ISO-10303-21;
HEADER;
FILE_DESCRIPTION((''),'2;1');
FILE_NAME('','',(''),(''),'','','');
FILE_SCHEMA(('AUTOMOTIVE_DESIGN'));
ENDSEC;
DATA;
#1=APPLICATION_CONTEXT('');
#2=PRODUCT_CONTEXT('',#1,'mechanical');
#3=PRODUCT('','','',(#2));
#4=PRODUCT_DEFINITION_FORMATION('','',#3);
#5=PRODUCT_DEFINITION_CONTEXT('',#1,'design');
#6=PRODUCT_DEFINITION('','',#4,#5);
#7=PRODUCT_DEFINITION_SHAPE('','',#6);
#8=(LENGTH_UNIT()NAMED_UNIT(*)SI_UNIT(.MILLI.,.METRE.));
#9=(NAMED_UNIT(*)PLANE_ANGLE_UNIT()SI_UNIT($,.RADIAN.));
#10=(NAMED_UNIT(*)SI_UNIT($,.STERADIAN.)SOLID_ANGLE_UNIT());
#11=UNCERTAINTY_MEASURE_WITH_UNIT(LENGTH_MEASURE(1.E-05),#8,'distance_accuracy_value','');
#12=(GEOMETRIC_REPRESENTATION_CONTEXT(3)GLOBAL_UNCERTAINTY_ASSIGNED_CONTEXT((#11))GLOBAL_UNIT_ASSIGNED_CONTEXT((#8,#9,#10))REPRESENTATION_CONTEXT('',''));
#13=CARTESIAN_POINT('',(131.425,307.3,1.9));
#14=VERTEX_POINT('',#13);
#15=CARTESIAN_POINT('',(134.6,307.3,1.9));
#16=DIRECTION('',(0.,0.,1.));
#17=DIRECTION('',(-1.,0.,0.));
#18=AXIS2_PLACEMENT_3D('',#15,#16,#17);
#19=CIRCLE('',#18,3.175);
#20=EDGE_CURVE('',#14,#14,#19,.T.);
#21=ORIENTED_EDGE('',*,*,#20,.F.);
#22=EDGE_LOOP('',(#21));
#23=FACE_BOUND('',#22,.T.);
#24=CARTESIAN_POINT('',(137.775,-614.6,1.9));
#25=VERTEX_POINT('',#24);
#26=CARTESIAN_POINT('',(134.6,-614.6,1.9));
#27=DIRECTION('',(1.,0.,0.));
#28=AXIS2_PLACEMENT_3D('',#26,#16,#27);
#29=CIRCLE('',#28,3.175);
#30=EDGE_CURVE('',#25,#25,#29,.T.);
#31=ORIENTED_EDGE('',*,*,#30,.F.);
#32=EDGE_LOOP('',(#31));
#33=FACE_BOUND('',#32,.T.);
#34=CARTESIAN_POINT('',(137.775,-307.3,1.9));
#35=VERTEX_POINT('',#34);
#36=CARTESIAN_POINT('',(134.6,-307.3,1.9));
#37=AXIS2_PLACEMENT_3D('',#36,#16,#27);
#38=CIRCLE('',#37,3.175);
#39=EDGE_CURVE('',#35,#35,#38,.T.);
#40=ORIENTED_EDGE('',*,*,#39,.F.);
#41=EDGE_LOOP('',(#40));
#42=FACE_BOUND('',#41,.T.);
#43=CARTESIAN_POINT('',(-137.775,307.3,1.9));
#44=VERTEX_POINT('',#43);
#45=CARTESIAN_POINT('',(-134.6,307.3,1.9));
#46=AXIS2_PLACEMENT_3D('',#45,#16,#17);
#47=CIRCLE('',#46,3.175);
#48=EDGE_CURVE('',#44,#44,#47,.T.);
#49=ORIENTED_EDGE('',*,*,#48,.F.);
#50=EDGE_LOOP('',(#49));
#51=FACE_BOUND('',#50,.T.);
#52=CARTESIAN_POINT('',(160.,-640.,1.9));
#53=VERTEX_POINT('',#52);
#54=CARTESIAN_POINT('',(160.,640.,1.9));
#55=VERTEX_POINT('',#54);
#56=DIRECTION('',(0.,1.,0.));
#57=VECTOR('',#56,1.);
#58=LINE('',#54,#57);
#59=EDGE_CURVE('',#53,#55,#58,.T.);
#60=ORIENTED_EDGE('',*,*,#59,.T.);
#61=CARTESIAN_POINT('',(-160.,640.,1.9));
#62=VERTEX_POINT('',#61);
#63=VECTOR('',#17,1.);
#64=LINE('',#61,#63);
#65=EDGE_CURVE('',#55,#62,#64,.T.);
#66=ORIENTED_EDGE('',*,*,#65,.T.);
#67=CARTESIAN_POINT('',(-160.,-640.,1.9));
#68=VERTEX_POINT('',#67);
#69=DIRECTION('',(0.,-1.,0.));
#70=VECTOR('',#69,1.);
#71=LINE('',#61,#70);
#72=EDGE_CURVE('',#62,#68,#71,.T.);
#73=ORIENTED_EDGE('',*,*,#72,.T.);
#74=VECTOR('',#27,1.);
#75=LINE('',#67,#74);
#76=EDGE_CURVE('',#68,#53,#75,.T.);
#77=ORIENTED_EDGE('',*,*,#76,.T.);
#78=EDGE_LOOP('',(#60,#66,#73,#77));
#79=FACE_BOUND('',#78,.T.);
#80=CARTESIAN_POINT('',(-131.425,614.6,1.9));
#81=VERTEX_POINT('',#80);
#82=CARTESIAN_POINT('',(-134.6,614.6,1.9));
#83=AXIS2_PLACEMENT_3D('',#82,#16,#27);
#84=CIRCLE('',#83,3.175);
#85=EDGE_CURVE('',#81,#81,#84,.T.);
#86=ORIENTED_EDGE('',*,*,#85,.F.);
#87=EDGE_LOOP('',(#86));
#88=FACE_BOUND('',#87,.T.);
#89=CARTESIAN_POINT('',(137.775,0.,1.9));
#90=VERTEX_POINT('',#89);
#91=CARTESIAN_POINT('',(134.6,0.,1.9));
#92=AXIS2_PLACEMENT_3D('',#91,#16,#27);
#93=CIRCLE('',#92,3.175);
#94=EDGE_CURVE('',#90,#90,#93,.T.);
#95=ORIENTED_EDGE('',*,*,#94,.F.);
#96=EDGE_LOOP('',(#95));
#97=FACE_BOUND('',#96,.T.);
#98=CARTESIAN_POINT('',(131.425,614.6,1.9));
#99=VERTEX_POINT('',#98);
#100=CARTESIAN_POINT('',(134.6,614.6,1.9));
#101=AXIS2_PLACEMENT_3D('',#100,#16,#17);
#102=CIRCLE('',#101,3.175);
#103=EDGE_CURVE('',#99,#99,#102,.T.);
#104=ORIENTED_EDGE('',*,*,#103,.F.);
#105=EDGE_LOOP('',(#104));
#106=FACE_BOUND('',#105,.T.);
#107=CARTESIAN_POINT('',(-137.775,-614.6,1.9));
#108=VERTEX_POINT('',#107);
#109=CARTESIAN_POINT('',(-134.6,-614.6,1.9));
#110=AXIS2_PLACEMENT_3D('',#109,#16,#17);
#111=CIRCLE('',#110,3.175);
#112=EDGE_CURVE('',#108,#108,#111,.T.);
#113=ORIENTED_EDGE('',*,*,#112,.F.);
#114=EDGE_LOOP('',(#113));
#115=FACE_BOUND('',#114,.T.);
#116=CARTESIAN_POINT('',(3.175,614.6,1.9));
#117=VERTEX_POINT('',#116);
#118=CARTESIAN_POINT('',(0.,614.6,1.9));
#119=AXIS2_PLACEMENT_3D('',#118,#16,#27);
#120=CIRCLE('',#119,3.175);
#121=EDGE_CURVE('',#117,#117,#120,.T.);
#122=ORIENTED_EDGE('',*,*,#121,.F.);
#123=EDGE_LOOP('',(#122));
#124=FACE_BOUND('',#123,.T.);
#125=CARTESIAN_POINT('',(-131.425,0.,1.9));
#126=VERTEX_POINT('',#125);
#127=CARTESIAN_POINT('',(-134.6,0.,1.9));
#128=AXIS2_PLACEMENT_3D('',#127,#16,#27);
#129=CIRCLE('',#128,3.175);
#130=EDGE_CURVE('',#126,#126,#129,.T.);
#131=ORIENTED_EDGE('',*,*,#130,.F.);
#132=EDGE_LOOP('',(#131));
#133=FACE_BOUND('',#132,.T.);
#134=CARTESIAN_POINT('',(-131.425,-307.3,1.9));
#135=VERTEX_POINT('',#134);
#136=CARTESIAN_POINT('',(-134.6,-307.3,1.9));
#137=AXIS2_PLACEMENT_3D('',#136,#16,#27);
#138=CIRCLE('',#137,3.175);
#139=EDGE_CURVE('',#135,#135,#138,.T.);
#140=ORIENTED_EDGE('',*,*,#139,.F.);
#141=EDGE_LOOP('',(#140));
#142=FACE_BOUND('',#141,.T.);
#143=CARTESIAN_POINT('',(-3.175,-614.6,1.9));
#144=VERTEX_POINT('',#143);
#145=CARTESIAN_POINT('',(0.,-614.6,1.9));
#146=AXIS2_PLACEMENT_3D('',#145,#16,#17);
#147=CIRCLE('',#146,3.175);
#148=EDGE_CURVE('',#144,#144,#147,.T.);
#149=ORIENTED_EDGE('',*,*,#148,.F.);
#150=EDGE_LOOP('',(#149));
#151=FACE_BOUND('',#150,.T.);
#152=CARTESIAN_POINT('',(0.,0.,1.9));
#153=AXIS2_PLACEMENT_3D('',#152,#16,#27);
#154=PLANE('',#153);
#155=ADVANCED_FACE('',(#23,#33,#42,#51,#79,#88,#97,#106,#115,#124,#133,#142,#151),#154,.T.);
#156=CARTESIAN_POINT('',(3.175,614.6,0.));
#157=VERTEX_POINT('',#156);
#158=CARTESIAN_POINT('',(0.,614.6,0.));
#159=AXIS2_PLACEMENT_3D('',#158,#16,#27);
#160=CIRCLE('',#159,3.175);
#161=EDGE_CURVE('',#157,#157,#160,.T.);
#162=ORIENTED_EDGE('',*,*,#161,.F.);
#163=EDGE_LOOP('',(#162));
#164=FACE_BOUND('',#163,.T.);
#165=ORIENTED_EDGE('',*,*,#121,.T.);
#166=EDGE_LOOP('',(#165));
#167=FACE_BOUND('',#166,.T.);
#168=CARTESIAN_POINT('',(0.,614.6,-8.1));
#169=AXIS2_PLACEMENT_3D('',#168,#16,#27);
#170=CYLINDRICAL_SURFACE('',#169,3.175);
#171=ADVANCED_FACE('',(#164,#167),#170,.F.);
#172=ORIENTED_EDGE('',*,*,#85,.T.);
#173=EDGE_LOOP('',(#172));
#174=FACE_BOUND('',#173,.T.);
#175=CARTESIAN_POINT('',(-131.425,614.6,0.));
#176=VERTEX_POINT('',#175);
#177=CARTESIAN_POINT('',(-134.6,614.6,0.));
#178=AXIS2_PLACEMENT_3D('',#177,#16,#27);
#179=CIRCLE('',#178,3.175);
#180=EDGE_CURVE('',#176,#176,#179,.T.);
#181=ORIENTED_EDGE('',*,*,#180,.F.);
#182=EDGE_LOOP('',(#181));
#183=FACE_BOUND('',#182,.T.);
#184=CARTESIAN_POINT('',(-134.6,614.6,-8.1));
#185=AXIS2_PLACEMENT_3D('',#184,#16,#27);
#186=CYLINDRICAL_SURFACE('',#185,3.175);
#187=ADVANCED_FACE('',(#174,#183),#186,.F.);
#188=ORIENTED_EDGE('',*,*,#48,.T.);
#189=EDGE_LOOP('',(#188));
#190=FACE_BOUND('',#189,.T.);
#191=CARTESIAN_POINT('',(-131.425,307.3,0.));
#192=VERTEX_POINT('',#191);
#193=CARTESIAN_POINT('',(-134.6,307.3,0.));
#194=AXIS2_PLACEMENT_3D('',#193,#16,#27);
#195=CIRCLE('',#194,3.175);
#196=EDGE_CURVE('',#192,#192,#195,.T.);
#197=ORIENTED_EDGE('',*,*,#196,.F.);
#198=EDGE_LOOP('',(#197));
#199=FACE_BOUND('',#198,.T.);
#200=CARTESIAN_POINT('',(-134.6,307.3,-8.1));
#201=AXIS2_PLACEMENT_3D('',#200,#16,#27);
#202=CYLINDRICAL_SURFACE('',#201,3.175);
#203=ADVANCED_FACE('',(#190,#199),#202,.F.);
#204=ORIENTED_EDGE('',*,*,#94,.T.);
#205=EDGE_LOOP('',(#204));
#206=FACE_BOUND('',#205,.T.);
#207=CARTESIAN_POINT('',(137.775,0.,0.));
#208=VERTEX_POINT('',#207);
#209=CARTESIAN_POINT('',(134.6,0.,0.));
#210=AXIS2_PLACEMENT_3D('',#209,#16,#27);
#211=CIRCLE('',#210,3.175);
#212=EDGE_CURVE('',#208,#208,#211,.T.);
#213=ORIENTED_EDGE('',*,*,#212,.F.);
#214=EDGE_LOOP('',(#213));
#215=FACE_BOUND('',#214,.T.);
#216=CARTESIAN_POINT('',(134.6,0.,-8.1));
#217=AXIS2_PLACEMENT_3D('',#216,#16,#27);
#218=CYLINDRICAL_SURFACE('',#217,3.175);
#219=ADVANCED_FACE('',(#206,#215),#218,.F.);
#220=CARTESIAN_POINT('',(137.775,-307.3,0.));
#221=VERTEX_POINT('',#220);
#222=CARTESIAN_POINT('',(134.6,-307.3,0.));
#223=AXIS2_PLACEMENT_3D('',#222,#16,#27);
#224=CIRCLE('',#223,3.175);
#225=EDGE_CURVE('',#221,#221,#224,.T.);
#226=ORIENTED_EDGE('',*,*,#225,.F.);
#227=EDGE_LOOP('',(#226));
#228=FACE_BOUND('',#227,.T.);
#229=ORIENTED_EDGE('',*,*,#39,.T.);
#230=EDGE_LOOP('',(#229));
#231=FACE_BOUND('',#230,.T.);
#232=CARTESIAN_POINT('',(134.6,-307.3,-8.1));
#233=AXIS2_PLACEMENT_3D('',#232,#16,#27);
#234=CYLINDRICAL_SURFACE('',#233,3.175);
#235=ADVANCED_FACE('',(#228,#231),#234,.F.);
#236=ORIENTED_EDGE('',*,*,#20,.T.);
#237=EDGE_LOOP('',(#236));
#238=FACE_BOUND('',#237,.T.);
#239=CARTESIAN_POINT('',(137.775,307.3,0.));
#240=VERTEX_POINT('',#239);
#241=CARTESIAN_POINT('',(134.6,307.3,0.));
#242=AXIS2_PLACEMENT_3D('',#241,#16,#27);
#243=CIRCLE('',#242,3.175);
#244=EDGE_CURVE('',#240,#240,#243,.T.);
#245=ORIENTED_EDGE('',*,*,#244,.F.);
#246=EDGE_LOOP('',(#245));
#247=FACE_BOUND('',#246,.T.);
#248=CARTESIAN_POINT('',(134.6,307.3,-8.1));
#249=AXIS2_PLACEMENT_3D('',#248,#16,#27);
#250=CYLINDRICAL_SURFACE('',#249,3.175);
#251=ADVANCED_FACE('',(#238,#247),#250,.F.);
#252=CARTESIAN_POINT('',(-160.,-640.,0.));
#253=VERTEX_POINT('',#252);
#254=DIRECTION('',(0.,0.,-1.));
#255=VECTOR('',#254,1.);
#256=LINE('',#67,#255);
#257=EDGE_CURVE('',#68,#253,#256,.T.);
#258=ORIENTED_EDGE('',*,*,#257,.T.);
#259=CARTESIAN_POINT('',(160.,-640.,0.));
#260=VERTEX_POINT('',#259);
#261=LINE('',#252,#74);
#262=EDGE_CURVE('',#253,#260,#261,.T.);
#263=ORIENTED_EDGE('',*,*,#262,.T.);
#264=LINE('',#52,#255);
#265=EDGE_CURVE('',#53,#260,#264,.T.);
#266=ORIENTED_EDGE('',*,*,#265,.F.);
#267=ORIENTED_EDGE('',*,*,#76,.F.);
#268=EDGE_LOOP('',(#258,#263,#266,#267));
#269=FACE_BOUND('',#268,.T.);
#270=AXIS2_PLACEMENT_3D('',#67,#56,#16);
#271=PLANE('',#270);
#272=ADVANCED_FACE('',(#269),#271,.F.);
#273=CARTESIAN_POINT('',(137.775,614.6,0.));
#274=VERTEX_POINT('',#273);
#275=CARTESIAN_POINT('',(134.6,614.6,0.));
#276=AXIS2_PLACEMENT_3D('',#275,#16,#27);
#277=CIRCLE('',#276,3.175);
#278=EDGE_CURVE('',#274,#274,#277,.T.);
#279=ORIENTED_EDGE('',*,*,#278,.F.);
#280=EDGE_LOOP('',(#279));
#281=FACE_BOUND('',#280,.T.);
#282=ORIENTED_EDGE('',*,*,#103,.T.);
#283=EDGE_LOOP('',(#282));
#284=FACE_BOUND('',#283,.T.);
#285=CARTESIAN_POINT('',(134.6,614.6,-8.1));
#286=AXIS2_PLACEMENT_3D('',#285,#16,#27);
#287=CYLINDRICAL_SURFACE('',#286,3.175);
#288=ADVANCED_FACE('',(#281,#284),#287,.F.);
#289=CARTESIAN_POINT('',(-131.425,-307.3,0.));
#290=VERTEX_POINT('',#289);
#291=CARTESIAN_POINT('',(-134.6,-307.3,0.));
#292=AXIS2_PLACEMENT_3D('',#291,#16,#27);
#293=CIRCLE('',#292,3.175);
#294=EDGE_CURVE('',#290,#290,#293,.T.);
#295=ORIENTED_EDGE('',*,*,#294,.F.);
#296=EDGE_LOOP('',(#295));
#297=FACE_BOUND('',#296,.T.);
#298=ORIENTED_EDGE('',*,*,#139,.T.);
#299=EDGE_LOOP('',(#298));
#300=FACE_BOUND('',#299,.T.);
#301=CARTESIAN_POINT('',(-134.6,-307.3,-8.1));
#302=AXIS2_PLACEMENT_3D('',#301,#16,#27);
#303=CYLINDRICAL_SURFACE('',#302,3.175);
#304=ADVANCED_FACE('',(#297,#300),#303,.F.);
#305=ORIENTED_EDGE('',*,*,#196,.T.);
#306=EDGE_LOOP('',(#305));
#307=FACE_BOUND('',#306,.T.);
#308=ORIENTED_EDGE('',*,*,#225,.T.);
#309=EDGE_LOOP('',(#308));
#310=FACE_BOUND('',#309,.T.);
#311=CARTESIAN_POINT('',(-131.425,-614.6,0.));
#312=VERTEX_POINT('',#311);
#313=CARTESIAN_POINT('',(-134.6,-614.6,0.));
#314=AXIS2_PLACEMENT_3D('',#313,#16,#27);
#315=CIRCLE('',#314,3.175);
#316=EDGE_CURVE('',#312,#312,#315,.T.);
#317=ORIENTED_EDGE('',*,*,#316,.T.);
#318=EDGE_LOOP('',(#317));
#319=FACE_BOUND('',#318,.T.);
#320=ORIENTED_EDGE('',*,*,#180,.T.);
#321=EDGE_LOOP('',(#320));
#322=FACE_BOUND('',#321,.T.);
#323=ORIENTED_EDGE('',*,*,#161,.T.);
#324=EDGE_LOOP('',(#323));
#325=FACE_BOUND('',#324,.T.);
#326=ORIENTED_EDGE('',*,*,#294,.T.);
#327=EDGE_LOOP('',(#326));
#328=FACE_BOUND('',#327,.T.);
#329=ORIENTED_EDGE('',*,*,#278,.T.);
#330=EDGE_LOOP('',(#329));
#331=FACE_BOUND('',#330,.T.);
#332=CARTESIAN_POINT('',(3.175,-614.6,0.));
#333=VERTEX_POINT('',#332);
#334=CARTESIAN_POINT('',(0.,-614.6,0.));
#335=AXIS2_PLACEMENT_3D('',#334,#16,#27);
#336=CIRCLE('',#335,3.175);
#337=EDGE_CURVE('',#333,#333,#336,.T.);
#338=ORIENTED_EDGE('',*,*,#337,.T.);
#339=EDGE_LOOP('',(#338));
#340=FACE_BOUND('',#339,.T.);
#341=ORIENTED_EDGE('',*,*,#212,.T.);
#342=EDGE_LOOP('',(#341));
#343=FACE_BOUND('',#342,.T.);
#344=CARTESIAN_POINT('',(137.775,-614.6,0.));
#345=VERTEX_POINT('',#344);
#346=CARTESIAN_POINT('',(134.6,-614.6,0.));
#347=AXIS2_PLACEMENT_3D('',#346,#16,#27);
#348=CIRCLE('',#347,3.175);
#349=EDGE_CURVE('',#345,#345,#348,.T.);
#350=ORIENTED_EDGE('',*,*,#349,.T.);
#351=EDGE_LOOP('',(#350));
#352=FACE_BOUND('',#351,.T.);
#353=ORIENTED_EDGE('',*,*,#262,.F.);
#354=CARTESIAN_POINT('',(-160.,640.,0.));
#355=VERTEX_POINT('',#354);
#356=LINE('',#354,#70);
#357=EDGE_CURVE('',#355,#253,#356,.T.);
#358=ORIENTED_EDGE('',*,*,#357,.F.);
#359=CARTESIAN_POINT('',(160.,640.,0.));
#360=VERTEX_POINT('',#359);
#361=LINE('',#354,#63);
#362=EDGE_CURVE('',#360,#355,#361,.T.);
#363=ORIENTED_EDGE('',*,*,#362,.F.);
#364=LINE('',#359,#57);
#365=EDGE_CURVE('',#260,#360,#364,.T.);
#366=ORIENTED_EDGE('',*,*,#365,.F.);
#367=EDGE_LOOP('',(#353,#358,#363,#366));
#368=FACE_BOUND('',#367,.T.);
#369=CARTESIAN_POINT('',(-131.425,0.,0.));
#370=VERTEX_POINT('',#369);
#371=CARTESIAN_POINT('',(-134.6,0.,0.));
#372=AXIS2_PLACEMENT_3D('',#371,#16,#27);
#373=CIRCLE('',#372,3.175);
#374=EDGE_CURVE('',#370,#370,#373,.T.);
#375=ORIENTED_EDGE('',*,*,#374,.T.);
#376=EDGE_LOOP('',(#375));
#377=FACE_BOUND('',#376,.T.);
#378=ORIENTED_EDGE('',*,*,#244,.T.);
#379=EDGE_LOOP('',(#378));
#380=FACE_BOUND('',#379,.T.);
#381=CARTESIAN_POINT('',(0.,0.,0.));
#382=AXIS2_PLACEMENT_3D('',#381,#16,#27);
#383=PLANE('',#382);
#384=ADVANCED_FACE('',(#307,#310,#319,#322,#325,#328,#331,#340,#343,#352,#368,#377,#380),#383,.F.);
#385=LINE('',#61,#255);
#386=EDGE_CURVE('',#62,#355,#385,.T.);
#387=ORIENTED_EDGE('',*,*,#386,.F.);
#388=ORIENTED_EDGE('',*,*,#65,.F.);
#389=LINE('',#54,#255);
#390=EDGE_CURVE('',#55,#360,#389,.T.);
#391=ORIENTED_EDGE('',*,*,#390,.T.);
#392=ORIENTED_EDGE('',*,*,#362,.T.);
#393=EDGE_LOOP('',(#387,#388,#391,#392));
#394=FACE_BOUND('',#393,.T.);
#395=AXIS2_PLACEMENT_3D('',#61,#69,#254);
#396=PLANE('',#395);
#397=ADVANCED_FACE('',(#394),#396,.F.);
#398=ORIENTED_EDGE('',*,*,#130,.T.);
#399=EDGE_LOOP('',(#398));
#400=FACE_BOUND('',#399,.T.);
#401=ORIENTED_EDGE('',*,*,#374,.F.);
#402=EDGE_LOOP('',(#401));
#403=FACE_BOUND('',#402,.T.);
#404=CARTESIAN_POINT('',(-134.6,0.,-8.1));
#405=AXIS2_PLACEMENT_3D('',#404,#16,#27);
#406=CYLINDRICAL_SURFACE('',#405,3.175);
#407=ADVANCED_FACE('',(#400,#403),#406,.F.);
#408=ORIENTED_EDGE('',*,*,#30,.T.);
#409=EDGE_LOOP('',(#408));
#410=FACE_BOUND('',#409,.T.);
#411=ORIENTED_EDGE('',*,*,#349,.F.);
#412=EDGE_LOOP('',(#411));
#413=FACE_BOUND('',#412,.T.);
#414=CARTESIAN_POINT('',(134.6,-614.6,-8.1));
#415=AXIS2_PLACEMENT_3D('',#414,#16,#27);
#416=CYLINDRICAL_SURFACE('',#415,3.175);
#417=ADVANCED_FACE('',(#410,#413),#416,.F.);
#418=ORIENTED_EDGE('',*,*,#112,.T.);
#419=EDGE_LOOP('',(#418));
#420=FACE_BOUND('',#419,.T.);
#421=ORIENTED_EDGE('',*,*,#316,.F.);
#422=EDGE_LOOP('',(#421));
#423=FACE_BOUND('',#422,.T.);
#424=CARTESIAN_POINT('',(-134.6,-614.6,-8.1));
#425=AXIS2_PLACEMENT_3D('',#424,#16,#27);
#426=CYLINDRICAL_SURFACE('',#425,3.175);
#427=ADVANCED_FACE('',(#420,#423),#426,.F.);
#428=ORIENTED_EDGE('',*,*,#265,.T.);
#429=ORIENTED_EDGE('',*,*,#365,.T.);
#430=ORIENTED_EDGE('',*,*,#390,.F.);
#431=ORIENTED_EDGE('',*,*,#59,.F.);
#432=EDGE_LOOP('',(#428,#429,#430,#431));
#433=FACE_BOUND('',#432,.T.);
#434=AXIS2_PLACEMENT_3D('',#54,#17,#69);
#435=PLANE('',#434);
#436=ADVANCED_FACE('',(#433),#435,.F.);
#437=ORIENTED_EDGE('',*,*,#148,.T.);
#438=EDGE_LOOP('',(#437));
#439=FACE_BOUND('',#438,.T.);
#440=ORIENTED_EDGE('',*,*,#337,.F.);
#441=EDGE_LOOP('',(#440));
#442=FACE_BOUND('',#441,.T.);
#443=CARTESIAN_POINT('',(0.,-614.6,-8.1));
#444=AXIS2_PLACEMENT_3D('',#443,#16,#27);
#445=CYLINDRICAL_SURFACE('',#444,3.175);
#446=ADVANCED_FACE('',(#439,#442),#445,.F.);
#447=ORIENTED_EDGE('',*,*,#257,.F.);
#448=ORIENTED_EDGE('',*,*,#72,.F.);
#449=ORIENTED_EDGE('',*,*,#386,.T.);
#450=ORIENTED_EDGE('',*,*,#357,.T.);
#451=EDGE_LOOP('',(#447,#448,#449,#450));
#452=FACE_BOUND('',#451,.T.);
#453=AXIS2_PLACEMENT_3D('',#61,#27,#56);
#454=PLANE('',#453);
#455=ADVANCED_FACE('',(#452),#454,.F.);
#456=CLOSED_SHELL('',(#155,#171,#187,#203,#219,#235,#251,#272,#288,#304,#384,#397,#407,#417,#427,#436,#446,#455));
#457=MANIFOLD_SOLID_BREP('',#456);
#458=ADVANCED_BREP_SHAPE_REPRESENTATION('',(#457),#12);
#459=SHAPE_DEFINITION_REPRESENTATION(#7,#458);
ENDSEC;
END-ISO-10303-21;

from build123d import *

# Parameters (mm, degrees)
CROQUIS1_W              = 320
CROQUIS1_H              = 1280
SALIENTE_EXTRUIR1_DEPTH = 1.9
CROQUIS2_R              = 3.175
CORTAR_EXTRUIR1_DEPTH   = 10


with BuildPart() as part:
    # Croquis1 → Saliente-Extruir1 (new body)
    with BuildSketch(Plane.XY):
        Rectangle(CROQUIS1_W, CROQUIS1_H)
    extrude(amount=SALIENTE_EXTRUIR1_DEPTH)

    # Croquis2 → Cortar-Extruir1 (cut)
    with BuildSketch(Plane.XY.offset(1.9)):
        with Locations((-134.6, 614.6)):
            Circle(CROQUIS2_R)
        with Locations((134.6, 614.6)):
            Circle(CROQUIS2_R)
        with Locations((134.6, -614.6)):
            Circle(CROQUIS2_R)
        with Locations((-134.6, -614.6)):
            Circle(CROQUIS2_R)
        with Locations((0, 614.6)):
            Circle(CROQUIS2_R)
        with Locations((0, -614.6)):
            Circle(CROQUIS2_R)
        with Locations((-134.6, 0)):
            Circle(CROQUIS2_R)
        with Locations((134.6, 0)):
            Circle(CROQUIS2_R)
        with Locations((-134.6, -307.3)):
            Circle(CROQUIS2_R)
        with Locations((134.6, -307.3)):
            Circle(CROQUIS2_R)
        with Locations((-134.6, 307.3)):
            Circle(CROQUIS2_R)
        with Locations((134.6, 307.3)):
            Circle(CROQUIS2_R)
    extrude(amount=-CORTAR_EXTRUIR1_DEPTH, mode=Mode.SUBTRACT)


solid = part.part
